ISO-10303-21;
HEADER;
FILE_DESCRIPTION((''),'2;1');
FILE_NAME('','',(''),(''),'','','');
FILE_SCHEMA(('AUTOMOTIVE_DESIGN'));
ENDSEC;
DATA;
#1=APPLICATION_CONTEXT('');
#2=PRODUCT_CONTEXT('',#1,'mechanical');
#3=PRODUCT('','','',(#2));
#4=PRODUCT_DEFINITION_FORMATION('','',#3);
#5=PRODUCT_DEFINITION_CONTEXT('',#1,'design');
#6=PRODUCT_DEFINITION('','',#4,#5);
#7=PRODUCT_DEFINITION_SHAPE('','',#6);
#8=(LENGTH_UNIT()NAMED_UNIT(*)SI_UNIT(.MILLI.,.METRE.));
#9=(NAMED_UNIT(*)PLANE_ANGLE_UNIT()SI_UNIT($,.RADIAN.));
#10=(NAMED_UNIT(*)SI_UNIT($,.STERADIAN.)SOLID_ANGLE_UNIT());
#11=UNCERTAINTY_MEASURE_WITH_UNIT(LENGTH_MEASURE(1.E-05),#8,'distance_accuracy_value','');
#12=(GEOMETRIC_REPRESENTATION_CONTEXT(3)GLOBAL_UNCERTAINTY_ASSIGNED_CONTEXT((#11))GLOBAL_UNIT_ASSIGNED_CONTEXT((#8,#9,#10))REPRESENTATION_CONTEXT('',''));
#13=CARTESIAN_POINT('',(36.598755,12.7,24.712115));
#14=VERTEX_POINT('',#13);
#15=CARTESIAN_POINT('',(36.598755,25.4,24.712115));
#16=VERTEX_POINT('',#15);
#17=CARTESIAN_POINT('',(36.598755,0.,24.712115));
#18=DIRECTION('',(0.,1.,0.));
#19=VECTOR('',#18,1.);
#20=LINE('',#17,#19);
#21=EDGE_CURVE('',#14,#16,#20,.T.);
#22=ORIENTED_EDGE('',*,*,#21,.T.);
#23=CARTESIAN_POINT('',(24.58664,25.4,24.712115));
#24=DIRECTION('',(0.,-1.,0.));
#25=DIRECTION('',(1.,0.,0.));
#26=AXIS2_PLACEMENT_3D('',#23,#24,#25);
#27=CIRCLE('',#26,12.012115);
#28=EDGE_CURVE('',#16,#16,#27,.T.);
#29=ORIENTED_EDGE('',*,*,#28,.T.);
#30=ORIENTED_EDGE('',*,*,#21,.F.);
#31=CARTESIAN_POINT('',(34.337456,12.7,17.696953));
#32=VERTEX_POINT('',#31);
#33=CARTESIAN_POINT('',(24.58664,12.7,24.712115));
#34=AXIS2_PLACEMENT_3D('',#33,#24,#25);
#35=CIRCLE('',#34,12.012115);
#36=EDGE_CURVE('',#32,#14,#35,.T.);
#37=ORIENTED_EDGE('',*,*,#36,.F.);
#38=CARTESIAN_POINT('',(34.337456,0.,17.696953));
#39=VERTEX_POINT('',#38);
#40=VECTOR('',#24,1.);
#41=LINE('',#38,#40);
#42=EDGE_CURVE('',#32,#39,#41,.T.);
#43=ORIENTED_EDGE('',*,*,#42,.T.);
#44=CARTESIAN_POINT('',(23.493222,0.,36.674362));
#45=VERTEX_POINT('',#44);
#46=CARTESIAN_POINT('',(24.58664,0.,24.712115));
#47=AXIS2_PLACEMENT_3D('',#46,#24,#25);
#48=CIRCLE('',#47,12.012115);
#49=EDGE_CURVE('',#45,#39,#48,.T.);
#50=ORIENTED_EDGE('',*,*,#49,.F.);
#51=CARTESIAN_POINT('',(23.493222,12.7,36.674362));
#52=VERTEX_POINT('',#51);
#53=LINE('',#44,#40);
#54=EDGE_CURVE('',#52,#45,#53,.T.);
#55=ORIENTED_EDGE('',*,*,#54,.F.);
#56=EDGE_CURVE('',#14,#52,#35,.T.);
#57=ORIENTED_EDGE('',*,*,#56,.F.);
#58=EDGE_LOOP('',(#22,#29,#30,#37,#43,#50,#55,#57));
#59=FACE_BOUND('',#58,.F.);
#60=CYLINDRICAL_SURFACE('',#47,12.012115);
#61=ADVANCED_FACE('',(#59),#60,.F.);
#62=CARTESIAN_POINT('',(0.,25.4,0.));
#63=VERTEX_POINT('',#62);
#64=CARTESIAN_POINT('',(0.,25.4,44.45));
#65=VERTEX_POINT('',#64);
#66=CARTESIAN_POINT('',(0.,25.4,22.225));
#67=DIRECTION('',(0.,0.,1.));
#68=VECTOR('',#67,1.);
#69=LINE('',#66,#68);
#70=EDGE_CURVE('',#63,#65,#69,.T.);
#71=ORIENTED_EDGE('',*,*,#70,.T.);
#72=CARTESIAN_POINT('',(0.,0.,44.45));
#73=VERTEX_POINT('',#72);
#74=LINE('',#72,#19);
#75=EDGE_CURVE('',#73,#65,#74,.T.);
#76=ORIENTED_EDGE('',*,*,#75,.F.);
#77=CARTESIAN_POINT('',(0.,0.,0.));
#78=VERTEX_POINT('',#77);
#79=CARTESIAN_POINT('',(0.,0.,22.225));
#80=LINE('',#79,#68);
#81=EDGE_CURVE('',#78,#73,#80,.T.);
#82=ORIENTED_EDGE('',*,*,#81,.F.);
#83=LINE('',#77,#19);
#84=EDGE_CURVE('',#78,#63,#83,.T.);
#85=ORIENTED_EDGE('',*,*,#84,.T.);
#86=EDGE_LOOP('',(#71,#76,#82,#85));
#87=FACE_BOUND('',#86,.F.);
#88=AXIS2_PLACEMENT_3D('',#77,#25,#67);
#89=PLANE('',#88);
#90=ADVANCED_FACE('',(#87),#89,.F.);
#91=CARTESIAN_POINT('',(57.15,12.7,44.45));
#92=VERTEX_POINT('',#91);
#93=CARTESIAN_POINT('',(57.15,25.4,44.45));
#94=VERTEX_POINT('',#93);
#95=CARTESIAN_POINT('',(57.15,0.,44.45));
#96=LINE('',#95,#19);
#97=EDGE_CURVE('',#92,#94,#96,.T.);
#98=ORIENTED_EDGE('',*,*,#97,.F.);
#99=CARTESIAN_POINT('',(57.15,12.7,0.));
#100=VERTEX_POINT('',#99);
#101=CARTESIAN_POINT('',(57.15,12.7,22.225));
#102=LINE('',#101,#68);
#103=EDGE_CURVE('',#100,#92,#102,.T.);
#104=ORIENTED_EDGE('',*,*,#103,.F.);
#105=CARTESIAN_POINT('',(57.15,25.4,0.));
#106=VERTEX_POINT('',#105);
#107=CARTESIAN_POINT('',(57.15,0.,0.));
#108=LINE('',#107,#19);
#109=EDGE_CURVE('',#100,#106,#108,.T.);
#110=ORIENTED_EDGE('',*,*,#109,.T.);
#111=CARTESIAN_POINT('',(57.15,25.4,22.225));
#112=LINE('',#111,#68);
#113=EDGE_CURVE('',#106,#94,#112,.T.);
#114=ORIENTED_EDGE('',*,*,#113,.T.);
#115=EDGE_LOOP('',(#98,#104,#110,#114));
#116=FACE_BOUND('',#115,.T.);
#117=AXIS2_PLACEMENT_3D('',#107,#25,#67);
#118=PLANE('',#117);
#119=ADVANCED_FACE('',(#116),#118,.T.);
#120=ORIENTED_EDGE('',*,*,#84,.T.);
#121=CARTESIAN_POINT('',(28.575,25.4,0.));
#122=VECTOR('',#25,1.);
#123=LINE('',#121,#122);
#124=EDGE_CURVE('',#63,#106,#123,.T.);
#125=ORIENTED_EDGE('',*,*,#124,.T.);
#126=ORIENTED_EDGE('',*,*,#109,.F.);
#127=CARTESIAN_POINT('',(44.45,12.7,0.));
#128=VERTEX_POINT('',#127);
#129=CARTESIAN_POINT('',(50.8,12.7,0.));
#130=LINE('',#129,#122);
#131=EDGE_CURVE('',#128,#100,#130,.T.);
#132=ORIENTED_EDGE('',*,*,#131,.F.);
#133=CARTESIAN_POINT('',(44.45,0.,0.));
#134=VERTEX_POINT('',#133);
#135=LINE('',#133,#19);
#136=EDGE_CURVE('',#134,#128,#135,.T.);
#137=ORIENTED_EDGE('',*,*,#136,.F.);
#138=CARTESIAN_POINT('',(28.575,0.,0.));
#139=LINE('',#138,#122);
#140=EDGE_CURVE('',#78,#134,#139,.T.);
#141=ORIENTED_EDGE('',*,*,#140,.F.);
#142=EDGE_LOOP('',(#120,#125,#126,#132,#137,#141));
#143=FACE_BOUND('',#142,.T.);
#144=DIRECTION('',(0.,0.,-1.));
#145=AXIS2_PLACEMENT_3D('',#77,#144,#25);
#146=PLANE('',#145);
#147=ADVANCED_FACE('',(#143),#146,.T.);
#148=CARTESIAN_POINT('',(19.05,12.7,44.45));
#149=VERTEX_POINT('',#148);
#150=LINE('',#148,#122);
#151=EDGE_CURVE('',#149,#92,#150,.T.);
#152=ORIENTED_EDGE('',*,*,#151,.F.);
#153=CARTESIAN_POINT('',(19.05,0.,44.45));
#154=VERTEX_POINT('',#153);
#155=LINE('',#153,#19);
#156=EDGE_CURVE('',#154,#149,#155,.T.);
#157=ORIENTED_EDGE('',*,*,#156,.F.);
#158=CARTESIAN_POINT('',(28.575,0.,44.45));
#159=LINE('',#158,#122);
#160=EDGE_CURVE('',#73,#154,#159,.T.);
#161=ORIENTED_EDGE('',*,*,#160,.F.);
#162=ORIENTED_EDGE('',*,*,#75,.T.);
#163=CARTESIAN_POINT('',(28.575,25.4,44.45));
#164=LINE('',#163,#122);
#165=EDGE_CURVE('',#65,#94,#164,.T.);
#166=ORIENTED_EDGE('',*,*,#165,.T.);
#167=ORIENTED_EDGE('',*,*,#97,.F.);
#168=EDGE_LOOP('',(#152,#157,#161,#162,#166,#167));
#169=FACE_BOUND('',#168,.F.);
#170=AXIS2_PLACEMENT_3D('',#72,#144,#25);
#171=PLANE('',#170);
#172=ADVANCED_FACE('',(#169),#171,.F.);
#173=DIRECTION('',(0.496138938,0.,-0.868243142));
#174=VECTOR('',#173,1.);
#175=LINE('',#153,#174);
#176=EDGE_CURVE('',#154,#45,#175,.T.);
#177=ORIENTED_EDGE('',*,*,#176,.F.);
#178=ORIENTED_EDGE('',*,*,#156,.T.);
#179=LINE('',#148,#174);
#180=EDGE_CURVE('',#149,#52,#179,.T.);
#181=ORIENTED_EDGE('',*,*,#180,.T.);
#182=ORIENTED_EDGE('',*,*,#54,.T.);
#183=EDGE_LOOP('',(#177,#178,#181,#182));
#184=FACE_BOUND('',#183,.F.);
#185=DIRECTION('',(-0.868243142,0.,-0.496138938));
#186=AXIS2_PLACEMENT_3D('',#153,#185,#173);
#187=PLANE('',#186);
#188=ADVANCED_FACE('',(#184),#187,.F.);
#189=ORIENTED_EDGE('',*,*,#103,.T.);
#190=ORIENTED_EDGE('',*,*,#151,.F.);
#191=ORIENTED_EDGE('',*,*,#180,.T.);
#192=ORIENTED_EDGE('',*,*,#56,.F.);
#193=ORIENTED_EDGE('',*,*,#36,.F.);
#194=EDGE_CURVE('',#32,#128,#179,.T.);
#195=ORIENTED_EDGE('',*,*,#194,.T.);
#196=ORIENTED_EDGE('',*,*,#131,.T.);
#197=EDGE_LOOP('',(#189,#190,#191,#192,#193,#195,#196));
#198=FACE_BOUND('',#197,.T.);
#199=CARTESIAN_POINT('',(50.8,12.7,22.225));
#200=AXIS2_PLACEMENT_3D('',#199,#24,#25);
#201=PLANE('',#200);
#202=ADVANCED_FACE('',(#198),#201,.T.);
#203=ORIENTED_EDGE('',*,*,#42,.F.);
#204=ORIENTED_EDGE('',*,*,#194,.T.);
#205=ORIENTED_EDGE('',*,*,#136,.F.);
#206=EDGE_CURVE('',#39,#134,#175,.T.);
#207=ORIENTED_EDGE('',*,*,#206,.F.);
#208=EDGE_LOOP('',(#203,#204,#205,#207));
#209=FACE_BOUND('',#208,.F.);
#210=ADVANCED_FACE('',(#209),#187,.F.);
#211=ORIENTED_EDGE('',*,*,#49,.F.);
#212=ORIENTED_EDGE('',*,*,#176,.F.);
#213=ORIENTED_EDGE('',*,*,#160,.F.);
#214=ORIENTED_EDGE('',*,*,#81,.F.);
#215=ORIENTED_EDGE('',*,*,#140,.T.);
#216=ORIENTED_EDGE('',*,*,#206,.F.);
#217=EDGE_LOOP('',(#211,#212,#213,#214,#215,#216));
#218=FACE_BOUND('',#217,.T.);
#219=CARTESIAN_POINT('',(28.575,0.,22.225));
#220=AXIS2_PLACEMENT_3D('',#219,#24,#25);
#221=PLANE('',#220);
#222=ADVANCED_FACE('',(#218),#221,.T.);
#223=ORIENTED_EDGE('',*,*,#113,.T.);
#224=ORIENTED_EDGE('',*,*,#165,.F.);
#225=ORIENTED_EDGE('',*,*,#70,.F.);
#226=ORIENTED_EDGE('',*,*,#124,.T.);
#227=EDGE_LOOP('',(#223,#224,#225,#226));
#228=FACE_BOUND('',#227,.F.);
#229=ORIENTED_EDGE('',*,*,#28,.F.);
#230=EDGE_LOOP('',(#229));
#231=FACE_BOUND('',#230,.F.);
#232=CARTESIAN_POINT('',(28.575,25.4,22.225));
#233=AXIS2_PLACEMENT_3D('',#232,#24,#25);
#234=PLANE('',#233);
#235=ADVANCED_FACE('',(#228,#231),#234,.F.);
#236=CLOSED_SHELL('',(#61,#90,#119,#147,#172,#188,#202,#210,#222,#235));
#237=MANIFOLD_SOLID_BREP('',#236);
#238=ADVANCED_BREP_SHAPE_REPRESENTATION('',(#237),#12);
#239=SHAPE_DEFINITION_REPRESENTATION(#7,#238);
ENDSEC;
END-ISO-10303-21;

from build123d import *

# Parameters (mm, degrees)
F0_W     = 57.15
F0_H     = 44.45
F1_DEPTH = 25.4
F2_W     = 12.7
F2_H     = 44.45
F3_DEPTH = 12.7
F5_DEPTH = 12.7
F6_R     = 12.012115
F7_DEPTH = 25.4


with BuildPart() as f1:
    # F0 (on Front) → F1 (new body)
    with BuildSketch(Plane.XZ):
        with Locations((28.575, 22.225)):
            Rectangle(F0_W, F0_H)
    extrude(amount=-F1_DEPTH)

    # F2 (on Front) → F3 (cut)
    with BuildSketch(Plane.XZ):
        with Locations((50.8, 22.225)):
            Rectangle(F2_W, F2_H)
    extrude(amount=-F3_DEPTH, mode=Mode.SUBTRACT)

    # F4 (on Front) → F5 (cut)
    with BuildSketch(Plane.XZ):
        Polygon((19.05, 44.45), (44.45, 0), (44.45, 44.45), align=None)
    extrude(amount=-F5_DEPTH, mode=Mode.SUBTRACT)

    # F6 (on Front) → F7 (cut)
    with BuildSketch(Plane.XZ):
        with Locations((24.58664, 24.712115)):
            Circle(F6_R)
    extrude(amount=-F7_DEPTH, mode=Mode.SUBTRACT)


solid = f1.part
